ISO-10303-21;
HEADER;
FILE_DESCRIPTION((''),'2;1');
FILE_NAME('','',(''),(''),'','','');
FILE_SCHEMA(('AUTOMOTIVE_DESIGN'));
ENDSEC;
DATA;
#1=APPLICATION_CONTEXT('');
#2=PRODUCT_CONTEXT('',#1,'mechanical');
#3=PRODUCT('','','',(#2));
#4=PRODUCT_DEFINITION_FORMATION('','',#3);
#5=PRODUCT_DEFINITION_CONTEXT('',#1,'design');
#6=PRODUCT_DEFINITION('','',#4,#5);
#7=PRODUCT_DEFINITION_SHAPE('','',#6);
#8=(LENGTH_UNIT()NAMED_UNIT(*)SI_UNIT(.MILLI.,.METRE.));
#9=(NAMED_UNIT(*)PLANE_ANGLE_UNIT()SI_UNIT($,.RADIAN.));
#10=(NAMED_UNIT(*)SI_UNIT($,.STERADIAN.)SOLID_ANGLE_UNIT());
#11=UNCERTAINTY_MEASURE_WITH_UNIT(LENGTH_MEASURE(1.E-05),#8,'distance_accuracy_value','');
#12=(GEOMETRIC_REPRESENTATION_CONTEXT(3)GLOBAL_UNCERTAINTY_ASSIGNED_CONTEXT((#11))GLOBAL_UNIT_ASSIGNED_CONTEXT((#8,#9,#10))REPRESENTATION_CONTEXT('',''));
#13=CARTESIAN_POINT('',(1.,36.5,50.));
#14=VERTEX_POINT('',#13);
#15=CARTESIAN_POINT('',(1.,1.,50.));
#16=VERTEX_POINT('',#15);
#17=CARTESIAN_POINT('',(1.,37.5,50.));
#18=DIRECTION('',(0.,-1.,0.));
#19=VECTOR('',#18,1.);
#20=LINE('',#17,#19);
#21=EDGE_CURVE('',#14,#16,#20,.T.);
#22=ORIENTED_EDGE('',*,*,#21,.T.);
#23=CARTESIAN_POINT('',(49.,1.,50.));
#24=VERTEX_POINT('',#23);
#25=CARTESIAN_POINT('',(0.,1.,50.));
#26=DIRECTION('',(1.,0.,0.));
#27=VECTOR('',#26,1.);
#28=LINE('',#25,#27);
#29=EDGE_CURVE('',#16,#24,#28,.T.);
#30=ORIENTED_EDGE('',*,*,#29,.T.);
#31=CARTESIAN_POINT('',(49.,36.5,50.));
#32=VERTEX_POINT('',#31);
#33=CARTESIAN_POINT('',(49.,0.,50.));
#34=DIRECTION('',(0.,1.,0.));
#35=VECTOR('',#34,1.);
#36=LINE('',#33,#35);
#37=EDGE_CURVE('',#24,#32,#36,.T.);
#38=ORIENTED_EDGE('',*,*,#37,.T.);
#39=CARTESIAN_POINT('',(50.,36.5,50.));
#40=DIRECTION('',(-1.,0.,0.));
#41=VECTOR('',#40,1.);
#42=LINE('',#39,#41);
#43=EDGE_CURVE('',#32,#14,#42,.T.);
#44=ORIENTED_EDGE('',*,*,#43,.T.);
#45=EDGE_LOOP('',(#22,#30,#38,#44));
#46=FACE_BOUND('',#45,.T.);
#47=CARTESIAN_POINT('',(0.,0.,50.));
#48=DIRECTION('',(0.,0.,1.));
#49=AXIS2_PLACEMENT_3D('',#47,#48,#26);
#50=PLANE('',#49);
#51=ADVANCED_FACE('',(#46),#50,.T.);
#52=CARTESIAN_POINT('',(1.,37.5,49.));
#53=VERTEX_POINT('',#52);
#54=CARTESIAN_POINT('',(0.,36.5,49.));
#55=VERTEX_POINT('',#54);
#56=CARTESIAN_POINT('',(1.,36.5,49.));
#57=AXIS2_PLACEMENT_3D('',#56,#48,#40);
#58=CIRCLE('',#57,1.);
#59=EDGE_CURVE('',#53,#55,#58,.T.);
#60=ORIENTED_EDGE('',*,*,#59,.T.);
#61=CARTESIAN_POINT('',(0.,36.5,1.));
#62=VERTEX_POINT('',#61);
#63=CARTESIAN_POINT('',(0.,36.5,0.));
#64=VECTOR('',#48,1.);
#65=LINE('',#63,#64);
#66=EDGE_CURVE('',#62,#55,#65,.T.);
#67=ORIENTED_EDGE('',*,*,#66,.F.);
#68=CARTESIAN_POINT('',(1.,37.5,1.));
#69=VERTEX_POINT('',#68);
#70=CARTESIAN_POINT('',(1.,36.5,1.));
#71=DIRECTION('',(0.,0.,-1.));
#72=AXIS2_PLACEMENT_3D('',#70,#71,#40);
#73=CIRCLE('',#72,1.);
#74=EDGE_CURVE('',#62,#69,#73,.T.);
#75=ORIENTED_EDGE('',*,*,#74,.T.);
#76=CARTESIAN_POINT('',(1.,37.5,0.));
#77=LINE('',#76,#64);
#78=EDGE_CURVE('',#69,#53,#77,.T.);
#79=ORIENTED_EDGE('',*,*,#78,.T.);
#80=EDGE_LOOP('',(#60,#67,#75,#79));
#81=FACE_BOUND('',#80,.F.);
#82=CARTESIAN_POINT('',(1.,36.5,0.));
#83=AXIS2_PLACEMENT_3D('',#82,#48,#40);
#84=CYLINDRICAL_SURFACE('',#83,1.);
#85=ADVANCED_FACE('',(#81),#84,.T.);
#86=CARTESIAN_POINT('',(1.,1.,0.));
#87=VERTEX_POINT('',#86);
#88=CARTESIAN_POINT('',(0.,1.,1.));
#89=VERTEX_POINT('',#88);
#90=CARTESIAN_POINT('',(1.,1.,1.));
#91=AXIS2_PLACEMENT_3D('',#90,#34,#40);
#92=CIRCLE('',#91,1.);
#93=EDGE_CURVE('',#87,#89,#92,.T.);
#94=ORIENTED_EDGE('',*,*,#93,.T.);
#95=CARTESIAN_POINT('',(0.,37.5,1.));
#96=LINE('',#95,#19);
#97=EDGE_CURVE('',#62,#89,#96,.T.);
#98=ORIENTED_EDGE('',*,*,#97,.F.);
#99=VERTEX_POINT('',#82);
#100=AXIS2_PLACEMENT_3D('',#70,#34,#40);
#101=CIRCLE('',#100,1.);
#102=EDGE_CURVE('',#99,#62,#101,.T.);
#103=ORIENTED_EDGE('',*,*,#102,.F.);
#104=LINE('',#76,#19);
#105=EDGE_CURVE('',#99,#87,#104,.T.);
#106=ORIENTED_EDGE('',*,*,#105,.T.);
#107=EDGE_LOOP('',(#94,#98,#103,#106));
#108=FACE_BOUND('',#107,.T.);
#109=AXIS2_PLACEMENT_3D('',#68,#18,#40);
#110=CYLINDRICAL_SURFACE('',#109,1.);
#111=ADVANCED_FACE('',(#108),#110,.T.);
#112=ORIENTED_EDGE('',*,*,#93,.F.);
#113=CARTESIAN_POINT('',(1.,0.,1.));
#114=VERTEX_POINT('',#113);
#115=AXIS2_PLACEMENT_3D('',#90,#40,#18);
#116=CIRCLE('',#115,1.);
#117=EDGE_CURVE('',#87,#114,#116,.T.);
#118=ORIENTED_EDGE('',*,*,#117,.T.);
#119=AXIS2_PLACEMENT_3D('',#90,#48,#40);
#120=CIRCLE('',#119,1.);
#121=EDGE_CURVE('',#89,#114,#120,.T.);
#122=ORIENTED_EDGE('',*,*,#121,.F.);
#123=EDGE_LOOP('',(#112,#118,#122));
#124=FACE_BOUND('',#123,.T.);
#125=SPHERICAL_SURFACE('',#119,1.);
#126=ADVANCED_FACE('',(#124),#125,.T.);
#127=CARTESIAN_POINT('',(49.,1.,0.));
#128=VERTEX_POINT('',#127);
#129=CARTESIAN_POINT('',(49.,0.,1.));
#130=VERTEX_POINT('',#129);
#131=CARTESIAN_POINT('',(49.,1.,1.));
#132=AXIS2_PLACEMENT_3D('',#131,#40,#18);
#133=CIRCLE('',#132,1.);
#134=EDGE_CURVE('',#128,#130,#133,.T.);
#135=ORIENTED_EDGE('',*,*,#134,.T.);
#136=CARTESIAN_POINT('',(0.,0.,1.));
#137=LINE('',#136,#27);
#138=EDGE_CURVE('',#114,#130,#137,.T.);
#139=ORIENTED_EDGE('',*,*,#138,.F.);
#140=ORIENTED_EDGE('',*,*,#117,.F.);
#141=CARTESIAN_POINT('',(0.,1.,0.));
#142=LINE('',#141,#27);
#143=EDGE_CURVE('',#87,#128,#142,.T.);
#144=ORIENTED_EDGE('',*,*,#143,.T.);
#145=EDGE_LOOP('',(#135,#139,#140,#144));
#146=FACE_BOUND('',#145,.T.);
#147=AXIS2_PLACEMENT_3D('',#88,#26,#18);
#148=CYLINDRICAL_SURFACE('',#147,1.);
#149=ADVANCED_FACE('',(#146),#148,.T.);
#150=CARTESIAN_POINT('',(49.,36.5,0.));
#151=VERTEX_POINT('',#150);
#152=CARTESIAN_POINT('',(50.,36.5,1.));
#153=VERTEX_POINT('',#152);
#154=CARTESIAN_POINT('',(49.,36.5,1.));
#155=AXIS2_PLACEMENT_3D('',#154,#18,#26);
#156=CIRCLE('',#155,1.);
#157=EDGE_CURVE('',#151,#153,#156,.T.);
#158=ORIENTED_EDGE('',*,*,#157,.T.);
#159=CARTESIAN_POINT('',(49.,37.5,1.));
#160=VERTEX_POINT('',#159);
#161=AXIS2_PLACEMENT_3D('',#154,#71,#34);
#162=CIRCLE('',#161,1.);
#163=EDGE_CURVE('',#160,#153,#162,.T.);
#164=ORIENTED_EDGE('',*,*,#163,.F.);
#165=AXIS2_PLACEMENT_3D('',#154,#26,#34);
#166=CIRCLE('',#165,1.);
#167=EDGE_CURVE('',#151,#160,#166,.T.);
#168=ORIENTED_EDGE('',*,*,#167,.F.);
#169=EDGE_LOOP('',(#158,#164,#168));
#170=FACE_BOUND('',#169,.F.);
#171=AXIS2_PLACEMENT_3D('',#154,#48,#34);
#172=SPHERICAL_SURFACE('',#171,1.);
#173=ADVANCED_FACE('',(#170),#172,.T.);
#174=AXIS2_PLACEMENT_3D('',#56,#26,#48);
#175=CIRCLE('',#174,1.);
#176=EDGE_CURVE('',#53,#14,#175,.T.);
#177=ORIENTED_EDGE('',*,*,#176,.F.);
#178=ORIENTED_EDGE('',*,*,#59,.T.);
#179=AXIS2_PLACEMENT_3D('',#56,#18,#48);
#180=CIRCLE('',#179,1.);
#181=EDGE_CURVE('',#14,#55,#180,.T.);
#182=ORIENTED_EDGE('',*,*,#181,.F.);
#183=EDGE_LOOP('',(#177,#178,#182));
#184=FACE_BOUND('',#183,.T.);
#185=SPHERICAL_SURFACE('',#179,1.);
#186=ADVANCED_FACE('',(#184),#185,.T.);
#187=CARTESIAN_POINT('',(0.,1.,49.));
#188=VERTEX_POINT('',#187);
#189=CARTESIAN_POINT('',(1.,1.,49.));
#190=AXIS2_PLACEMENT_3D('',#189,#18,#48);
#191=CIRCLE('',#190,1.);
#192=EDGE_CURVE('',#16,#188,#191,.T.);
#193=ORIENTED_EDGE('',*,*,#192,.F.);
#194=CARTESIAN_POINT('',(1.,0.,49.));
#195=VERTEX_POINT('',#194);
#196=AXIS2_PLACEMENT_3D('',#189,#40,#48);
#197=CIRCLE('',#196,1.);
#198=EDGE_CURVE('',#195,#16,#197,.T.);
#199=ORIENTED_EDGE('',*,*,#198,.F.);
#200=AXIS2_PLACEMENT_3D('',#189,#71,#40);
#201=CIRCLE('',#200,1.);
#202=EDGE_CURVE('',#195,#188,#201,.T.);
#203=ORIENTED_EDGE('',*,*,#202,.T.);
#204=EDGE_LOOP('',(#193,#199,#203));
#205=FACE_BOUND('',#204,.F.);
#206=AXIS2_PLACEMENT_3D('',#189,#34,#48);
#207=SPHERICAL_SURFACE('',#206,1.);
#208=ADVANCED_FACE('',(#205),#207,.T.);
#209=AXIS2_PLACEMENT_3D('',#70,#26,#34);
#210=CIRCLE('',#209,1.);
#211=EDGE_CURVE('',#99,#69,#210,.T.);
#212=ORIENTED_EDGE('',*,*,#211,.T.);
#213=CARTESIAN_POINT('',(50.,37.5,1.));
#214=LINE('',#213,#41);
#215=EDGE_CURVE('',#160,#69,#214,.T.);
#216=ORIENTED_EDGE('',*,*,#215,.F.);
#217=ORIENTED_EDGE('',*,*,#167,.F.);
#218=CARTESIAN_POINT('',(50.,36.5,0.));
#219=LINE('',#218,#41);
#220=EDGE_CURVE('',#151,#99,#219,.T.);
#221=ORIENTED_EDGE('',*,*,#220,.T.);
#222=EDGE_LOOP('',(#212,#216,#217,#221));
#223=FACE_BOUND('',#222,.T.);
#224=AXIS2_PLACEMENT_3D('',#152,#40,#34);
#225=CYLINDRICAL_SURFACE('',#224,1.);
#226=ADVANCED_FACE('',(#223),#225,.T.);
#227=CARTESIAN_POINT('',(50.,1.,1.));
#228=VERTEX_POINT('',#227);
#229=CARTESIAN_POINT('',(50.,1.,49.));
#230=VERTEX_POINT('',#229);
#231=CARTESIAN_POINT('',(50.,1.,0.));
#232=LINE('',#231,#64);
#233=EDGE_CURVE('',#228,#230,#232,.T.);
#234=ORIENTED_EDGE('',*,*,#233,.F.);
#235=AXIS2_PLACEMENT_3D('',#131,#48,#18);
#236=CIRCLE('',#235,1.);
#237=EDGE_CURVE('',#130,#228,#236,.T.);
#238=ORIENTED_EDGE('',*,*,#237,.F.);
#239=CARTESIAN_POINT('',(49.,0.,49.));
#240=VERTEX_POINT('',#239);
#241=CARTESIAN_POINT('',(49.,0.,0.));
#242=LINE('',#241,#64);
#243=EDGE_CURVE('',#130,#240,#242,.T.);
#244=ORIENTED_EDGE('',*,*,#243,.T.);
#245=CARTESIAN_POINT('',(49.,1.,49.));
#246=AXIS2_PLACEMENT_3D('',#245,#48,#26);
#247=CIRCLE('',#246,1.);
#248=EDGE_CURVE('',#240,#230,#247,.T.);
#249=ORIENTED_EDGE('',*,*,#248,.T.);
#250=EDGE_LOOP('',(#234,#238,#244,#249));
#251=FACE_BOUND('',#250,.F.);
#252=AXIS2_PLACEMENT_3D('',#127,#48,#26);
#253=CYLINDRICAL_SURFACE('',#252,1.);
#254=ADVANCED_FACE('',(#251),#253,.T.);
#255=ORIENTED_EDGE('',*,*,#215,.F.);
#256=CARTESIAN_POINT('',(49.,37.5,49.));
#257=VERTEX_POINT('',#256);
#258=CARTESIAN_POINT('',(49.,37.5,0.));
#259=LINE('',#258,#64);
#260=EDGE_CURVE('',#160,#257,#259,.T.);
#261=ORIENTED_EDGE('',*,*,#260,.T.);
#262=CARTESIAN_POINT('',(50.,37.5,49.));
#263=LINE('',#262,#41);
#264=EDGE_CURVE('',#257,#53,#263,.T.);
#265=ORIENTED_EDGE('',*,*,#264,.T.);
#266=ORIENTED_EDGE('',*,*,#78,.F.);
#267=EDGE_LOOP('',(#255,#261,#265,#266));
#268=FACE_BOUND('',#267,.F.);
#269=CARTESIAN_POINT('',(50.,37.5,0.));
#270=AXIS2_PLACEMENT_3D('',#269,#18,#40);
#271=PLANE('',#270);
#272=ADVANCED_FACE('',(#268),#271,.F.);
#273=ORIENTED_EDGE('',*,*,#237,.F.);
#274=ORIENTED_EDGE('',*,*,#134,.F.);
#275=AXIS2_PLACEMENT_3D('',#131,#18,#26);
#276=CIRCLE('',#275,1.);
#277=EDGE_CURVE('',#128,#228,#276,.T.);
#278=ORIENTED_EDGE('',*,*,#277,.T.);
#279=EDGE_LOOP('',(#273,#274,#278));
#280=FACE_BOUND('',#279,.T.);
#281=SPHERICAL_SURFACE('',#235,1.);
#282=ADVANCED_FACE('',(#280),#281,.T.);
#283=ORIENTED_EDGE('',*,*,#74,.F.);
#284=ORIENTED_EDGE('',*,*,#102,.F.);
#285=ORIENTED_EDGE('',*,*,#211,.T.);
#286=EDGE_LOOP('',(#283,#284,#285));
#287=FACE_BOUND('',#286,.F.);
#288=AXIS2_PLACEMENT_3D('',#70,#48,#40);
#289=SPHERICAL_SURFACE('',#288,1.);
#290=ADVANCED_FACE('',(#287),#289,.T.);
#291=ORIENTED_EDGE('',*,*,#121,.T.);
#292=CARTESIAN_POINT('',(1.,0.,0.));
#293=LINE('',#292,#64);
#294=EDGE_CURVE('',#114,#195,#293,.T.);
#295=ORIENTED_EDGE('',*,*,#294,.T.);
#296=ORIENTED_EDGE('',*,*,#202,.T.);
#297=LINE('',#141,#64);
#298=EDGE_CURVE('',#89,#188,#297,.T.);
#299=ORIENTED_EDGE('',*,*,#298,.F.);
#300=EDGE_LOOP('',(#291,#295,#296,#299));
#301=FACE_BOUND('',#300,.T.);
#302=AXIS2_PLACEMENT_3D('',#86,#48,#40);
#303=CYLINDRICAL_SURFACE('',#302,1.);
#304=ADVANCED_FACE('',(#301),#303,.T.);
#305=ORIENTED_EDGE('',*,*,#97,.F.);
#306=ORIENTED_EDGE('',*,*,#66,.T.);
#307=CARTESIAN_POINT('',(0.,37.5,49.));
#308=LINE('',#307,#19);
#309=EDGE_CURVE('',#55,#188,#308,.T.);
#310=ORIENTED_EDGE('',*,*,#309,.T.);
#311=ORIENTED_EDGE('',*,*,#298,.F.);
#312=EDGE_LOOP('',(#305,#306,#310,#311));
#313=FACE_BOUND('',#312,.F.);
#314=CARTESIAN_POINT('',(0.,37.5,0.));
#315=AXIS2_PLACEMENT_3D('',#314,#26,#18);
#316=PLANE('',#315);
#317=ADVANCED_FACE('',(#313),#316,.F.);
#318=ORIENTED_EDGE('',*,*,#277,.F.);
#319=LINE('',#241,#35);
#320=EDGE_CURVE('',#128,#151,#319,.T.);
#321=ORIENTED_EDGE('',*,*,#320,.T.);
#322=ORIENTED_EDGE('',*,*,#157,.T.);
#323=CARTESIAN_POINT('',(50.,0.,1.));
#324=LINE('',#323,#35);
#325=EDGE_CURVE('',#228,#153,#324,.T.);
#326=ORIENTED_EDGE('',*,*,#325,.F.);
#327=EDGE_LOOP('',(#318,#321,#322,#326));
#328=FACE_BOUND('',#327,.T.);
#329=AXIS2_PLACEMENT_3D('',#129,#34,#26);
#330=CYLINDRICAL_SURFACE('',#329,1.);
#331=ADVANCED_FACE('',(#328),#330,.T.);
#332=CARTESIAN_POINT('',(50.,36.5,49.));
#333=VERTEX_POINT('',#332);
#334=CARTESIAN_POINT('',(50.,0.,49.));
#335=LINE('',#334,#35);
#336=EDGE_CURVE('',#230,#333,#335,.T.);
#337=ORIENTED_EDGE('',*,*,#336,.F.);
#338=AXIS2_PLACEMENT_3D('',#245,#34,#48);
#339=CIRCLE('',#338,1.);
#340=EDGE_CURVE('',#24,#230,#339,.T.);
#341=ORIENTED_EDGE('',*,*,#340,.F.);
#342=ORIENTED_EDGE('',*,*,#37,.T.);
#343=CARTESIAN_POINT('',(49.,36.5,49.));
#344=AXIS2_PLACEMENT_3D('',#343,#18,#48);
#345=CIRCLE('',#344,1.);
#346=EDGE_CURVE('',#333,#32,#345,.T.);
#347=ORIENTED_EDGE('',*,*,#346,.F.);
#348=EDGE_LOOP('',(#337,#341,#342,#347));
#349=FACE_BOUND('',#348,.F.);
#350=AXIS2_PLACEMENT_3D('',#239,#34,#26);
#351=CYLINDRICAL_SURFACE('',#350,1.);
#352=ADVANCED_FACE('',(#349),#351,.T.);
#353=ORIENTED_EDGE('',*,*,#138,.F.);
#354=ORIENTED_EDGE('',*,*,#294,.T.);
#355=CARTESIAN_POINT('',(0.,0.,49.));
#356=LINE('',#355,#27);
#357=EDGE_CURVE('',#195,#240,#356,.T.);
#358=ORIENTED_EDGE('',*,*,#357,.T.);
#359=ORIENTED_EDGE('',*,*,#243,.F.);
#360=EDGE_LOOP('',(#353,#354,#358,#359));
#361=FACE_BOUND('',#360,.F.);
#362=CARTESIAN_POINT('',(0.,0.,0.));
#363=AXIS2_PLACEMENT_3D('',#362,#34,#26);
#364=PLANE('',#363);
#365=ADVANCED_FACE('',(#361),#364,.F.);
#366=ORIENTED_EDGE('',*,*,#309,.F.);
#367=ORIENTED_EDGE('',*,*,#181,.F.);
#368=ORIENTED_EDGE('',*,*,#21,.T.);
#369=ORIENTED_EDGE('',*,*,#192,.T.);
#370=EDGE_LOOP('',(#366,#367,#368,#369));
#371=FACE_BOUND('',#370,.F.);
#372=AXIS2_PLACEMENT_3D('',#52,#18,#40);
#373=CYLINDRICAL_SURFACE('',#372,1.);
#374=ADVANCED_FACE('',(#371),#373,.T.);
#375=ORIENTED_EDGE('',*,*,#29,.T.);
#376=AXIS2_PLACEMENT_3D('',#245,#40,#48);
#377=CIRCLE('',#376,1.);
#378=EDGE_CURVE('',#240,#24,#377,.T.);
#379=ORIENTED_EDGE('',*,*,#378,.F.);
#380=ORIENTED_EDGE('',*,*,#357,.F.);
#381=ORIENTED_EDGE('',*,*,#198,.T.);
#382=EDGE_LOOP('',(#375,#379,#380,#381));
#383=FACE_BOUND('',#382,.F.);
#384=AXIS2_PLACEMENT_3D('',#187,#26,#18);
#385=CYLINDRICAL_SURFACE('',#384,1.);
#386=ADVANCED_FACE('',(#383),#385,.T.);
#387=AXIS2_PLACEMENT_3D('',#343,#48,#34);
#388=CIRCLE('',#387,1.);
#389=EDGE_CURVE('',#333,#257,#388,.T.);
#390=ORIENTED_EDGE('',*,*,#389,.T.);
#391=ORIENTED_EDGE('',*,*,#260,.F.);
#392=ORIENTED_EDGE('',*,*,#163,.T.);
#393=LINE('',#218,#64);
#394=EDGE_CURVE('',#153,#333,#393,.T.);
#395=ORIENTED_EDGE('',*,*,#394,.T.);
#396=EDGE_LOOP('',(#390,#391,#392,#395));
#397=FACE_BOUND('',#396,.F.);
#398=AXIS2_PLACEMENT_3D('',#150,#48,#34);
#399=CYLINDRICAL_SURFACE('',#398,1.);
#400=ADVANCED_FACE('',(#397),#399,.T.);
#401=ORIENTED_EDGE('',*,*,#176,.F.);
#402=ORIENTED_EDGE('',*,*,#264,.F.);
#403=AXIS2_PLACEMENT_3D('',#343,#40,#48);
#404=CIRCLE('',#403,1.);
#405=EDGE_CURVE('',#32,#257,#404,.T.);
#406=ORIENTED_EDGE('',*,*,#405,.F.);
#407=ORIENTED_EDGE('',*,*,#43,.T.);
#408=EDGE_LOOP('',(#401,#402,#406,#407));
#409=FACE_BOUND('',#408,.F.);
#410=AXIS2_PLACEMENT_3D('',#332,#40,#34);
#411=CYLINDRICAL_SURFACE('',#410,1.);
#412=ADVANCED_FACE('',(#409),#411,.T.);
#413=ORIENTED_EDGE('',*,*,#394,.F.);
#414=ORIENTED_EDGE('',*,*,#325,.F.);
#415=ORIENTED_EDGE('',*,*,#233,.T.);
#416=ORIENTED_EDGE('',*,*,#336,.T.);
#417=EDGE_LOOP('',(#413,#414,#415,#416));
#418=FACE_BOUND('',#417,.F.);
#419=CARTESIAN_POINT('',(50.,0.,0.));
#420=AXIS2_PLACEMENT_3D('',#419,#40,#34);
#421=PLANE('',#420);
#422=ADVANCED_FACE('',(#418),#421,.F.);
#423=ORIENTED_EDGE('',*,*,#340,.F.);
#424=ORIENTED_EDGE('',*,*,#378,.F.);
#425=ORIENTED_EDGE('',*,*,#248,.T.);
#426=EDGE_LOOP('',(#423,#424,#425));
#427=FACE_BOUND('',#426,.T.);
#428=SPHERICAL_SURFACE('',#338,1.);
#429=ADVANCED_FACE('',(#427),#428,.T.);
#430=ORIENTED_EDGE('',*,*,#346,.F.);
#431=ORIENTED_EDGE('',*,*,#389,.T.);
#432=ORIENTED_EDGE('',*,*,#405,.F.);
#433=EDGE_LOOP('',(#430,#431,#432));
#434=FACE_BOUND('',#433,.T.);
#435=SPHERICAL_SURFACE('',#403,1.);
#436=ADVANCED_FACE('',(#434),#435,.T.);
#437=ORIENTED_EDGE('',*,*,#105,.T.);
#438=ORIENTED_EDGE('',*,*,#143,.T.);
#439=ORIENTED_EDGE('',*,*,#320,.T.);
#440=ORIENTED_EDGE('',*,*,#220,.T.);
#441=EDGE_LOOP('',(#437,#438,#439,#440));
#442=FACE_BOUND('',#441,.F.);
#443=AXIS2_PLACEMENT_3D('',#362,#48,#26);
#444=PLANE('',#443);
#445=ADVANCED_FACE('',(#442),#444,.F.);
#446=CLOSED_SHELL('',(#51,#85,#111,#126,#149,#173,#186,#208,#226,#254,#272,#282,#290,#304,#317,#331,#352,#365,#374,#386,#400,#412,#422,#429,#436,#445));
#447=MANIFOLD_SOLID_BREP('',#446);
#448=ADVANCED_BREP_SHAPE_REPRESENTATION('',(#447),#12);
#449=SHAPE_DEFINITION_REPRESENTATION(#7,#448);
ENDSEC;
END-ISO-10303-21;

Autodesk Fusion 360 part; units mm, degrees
sketch "Esquisse1" plane through (0, 0, 0) normal (0, 0, 1) x (1, 0, 0)
  line L0 (0, 0) -> (50, 0)
  line L1 (50, 0) -> (50, 37.5)
  line L2 (50, 37.5) -> (0, 37.5)
  line L3 (0, 37.5) -> (0, 0)
  dimension "d1" = 50
  dimension "d2" = 37.5
extrude "Extrusion1" add sketch "Esquisse1" along normal blind 50
fillet "Congé1" radius 1 5 faces at (16.6667, 25, 50) (0, 25, 16.6667) (16.6667, 0, 16.6667) (33.3333, 37.5, 16.6667) (50, 12.5, 16.6667)
equation "d2 = pipe_diameter + pipe_wall_distance"
equation "pipe_diameter = 34 mm"
equation "pipe_wall_distance = 3.5 mm"
